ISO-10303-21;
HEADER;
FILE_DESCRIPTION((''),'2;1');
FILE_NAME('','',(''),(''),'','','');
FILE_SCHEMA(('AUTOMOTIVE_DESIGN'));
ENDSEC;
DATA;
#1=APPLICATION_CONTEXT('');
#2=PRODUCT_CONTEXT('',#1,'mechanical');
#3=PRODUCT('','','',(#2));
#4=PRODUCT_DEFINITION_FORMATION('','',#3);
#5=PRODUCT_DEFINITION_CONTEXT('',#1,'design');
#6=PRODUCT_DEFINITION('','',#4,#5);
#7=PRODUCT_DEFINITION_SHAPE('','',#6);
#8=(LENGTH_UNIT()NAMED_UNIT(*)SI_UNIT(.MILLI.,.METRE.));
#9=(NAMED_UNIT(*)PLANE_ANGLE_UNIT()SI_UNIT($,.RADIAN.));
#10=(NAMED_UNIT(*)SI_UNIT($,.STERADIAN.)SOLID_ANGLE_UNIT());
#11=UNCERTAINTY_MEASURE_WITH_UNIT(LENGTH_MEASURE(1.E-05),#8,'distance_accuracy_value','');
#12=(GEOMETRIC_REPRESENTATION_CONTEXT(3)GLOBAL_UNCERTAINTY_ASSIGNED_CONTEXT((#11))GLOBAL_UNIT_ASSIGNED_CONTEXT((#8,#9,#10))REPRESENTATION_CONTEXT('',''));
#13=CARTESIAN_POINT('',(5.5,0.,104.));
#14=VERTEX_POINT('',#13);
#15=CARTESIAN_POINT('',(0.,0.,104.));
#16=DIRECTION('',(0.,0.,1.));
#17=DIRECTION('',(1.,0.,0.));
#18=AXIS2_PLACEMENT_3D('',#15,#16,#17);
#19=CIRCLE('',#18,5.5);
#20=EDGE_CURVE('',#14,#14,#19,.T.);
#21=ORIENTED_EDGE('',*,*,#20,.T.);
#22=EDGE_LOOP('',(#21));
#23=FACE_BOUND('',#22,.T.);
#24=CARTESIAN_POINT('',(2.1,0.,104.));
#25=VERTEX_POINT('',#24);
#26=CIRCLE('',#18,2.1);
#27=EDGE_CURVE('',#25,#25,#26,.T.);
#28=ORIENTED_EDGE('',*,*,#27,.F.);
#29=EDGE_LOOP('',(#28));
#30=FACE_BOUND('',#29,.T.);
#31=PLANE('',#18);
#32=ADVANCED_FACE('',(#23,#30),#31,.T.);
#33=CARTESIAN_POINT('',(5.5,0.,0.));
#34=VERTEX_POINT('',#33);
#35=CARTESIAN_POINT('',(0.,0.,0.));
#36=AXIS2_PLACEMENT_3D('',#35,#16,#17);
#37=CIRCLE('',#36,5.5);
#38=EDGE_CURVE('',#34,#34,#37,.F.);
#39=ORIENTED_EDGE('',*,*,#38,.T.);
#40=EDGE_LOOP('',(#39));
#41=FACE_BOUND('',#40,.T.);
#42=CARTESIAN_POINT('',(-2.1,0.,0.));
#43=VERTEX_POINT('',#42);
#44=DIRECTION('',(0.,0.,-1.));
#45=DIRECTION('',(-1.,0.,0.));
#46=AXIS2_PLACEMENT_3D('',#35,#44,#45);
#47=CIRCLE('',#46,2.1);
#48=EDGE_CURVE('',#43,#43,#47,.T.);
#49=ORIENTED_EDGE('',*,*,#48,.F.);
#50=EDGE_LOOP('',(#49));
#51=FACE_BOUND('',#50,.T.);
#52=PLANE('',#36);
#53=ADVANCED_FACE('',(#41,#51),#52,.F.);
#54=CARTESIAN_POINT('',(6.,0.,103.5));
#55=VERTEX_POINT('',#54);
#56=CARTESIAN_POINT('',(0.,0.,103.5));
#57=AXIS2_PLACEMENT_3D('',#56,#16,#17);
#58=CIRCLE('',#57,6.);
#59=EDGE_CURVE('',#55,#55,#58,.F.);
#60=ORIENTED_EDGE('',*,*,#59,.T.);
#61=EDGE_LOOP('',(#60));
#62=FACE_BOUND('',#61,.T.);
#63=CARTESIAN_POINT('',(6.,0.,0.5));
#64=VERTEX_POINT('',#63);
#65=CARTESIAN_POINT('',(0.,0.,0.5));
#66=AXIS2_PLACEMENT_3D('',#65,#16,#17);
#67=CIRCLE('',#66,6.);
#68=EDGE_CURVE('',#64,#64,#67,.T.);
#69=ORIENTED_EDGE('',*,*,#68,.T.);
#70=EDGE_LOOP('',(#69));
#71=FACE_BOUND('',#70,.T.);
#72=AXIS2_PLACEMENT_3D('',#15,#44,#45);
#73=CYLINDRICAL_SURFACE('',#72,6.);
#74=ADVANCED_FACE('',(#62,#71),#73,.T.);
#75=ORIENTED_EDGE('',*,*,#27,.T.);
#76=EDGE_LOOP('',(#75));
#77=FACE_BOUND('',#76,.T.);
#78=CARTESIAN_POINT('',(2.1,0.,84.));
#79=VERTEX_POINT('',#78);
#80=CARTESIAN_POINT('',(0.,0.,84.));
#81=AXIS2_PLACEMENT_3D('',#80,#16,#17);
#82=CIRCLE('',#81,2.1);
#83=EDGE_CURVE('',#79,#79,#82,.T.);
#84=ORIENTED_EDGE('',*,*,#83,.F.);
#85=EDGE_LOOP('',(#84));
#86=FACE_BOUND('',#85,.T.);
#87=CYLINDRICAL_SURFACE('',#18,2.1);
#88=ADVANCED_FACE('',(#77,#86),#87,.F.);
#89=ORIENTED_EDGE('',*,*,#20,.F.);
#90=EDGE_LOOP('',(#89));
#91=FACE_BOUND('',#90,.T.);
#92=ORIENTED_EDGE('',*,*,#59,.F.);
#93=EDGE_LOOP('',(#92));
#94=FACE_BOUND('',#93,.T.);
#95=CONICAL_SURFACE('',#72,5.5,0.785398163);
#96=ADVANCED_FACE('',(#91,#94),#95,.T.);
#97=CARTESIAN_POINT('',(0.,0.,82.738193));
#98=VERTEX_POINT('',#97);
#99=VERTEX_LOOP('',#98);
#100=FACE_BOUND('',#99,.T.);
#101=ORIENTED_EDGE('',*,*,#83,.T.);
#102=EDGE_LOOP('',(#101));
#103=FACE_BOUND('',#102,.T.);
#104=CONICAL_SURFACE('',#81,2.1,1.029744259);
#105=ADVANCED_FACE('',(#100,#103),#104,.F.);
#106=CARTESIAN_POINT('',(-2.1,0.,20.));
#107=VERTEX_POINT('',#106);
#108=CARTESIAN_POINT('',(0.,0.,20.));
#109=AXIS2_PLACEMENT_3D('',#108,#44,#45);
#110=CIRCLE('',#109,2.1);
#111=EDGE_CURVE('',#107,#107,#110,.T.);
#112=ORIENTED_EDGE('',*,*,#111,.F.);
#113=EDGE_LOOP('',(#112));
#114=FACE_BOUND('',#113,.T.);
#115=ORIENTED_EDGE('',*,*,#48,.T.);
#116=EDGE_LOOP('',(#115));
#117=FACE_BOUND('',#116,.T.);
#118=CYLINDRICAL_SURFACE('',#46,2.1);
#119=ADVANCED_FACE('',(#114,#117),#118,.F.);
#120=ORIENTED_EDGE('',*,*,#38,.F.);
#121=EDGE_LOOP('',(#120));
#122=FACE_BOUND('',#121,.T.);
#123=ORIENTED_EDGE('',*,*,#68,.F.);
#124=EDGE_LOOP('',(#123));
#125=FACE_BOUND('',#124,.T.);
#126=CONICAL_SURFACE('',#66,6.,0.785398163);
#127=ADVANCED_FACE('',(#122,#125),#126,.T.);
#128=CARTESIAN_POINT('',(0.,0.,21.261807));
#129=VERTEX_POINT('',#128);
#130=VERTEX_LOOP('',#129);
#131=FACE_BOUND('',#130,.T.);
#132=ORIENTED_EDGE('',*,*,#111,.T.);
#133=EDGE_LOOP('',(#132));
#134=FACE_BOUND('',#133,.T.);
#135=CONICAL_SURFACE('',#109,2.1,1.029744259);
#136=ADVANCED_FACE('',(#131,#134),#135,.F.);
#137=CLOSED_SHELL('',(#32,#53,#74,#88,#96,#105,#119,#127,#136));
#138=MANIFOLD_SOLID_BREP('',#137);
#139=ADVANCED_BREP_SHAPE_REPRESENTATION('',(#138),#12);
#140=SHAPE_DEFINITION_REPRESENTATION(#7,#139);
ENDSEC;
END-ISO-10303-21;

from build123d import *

# Parameters (mm, degrees)
ESQUISSE1_R               = 6
BOSS_EXTRU_1_DEPTH        = 104
TROU_TARAUD_M5X0_81_D     = 4.2
TROU_TARAUD_M5X0_81_DEPTH = 20
TROU_TARAUD_M5X0_81_TIP   = 1.2618073
TROU_TARAUD_M5X0_82_D     = 4.2
TROU_TARAUD_M5X0_82_DEPTH = 20
TROU_TARAUD_M5X0_82_TIP   = 1.2618073
CHANFREIN1_SIZE           = 0.5


with BuildPart() as part:
    # Esquisse1 → Boss.-Extru.1 (new body)
    with BuildSketch(Plane.XY):
        Circle(ESQUISSE1_R)
    extrude(amount=BOSS_EXTRU_1_DEPTH)

    # Trou taraudé M5x0.81
    with Locations(Plane(origin=(0, 0, 0), x_dir=(-1, 0, 0), z_dir=(0, 0, -1))):
        with Locations((0, 0)):
            Hole(TROU_TARAUD_M5X0_81_D / 2, depth=TROU_TARAUD_M5X0_81_DEPTH)
            with Locations((0, 0, -(TROU_TARAUD_M5X0_81_DEPTH + TROU_TARAUD_M5X0_81_TIP / 2))):  # 118° drill point
                Cone(0, TROU_TARAUD_M5X0_81_D / 2, TROU_TARAUD_M5X0_81_TIP, mode=Mode.SUBTRACT)

    # Trou taraudé M5x0.82
    with Locations(Plane.XY.offset(104)):
        with Locations((0, 0)):
            Hole(TROU_TARAUD_M5X0_82_D / 2, depth=TROU_TARAUD_M5X0_82_DEPTH)
            with Locations((0, 0, -(TROU_TARAUD_M5X0_82_DEPTH + TROU_TARAUD_M5X0_82_TIP / 2))):  # 118° drill point
                Cone(0, TROU_TARAUD_M5X0_82_D / 2, TROU_TARAUD_M5X0_82_TIP, mode=Mode.SUBTRACT)

    # Chanfrein1
    chanfrein1_edges = [part.edges().sort_by_distance(p)[0] for p in [
        (-6, 0, 0),
        (-6, 0, 104),
    ]]
    chamfer(chanfrein1_edges, length=CHANFREIN1_SIZE)


solid = part.part
